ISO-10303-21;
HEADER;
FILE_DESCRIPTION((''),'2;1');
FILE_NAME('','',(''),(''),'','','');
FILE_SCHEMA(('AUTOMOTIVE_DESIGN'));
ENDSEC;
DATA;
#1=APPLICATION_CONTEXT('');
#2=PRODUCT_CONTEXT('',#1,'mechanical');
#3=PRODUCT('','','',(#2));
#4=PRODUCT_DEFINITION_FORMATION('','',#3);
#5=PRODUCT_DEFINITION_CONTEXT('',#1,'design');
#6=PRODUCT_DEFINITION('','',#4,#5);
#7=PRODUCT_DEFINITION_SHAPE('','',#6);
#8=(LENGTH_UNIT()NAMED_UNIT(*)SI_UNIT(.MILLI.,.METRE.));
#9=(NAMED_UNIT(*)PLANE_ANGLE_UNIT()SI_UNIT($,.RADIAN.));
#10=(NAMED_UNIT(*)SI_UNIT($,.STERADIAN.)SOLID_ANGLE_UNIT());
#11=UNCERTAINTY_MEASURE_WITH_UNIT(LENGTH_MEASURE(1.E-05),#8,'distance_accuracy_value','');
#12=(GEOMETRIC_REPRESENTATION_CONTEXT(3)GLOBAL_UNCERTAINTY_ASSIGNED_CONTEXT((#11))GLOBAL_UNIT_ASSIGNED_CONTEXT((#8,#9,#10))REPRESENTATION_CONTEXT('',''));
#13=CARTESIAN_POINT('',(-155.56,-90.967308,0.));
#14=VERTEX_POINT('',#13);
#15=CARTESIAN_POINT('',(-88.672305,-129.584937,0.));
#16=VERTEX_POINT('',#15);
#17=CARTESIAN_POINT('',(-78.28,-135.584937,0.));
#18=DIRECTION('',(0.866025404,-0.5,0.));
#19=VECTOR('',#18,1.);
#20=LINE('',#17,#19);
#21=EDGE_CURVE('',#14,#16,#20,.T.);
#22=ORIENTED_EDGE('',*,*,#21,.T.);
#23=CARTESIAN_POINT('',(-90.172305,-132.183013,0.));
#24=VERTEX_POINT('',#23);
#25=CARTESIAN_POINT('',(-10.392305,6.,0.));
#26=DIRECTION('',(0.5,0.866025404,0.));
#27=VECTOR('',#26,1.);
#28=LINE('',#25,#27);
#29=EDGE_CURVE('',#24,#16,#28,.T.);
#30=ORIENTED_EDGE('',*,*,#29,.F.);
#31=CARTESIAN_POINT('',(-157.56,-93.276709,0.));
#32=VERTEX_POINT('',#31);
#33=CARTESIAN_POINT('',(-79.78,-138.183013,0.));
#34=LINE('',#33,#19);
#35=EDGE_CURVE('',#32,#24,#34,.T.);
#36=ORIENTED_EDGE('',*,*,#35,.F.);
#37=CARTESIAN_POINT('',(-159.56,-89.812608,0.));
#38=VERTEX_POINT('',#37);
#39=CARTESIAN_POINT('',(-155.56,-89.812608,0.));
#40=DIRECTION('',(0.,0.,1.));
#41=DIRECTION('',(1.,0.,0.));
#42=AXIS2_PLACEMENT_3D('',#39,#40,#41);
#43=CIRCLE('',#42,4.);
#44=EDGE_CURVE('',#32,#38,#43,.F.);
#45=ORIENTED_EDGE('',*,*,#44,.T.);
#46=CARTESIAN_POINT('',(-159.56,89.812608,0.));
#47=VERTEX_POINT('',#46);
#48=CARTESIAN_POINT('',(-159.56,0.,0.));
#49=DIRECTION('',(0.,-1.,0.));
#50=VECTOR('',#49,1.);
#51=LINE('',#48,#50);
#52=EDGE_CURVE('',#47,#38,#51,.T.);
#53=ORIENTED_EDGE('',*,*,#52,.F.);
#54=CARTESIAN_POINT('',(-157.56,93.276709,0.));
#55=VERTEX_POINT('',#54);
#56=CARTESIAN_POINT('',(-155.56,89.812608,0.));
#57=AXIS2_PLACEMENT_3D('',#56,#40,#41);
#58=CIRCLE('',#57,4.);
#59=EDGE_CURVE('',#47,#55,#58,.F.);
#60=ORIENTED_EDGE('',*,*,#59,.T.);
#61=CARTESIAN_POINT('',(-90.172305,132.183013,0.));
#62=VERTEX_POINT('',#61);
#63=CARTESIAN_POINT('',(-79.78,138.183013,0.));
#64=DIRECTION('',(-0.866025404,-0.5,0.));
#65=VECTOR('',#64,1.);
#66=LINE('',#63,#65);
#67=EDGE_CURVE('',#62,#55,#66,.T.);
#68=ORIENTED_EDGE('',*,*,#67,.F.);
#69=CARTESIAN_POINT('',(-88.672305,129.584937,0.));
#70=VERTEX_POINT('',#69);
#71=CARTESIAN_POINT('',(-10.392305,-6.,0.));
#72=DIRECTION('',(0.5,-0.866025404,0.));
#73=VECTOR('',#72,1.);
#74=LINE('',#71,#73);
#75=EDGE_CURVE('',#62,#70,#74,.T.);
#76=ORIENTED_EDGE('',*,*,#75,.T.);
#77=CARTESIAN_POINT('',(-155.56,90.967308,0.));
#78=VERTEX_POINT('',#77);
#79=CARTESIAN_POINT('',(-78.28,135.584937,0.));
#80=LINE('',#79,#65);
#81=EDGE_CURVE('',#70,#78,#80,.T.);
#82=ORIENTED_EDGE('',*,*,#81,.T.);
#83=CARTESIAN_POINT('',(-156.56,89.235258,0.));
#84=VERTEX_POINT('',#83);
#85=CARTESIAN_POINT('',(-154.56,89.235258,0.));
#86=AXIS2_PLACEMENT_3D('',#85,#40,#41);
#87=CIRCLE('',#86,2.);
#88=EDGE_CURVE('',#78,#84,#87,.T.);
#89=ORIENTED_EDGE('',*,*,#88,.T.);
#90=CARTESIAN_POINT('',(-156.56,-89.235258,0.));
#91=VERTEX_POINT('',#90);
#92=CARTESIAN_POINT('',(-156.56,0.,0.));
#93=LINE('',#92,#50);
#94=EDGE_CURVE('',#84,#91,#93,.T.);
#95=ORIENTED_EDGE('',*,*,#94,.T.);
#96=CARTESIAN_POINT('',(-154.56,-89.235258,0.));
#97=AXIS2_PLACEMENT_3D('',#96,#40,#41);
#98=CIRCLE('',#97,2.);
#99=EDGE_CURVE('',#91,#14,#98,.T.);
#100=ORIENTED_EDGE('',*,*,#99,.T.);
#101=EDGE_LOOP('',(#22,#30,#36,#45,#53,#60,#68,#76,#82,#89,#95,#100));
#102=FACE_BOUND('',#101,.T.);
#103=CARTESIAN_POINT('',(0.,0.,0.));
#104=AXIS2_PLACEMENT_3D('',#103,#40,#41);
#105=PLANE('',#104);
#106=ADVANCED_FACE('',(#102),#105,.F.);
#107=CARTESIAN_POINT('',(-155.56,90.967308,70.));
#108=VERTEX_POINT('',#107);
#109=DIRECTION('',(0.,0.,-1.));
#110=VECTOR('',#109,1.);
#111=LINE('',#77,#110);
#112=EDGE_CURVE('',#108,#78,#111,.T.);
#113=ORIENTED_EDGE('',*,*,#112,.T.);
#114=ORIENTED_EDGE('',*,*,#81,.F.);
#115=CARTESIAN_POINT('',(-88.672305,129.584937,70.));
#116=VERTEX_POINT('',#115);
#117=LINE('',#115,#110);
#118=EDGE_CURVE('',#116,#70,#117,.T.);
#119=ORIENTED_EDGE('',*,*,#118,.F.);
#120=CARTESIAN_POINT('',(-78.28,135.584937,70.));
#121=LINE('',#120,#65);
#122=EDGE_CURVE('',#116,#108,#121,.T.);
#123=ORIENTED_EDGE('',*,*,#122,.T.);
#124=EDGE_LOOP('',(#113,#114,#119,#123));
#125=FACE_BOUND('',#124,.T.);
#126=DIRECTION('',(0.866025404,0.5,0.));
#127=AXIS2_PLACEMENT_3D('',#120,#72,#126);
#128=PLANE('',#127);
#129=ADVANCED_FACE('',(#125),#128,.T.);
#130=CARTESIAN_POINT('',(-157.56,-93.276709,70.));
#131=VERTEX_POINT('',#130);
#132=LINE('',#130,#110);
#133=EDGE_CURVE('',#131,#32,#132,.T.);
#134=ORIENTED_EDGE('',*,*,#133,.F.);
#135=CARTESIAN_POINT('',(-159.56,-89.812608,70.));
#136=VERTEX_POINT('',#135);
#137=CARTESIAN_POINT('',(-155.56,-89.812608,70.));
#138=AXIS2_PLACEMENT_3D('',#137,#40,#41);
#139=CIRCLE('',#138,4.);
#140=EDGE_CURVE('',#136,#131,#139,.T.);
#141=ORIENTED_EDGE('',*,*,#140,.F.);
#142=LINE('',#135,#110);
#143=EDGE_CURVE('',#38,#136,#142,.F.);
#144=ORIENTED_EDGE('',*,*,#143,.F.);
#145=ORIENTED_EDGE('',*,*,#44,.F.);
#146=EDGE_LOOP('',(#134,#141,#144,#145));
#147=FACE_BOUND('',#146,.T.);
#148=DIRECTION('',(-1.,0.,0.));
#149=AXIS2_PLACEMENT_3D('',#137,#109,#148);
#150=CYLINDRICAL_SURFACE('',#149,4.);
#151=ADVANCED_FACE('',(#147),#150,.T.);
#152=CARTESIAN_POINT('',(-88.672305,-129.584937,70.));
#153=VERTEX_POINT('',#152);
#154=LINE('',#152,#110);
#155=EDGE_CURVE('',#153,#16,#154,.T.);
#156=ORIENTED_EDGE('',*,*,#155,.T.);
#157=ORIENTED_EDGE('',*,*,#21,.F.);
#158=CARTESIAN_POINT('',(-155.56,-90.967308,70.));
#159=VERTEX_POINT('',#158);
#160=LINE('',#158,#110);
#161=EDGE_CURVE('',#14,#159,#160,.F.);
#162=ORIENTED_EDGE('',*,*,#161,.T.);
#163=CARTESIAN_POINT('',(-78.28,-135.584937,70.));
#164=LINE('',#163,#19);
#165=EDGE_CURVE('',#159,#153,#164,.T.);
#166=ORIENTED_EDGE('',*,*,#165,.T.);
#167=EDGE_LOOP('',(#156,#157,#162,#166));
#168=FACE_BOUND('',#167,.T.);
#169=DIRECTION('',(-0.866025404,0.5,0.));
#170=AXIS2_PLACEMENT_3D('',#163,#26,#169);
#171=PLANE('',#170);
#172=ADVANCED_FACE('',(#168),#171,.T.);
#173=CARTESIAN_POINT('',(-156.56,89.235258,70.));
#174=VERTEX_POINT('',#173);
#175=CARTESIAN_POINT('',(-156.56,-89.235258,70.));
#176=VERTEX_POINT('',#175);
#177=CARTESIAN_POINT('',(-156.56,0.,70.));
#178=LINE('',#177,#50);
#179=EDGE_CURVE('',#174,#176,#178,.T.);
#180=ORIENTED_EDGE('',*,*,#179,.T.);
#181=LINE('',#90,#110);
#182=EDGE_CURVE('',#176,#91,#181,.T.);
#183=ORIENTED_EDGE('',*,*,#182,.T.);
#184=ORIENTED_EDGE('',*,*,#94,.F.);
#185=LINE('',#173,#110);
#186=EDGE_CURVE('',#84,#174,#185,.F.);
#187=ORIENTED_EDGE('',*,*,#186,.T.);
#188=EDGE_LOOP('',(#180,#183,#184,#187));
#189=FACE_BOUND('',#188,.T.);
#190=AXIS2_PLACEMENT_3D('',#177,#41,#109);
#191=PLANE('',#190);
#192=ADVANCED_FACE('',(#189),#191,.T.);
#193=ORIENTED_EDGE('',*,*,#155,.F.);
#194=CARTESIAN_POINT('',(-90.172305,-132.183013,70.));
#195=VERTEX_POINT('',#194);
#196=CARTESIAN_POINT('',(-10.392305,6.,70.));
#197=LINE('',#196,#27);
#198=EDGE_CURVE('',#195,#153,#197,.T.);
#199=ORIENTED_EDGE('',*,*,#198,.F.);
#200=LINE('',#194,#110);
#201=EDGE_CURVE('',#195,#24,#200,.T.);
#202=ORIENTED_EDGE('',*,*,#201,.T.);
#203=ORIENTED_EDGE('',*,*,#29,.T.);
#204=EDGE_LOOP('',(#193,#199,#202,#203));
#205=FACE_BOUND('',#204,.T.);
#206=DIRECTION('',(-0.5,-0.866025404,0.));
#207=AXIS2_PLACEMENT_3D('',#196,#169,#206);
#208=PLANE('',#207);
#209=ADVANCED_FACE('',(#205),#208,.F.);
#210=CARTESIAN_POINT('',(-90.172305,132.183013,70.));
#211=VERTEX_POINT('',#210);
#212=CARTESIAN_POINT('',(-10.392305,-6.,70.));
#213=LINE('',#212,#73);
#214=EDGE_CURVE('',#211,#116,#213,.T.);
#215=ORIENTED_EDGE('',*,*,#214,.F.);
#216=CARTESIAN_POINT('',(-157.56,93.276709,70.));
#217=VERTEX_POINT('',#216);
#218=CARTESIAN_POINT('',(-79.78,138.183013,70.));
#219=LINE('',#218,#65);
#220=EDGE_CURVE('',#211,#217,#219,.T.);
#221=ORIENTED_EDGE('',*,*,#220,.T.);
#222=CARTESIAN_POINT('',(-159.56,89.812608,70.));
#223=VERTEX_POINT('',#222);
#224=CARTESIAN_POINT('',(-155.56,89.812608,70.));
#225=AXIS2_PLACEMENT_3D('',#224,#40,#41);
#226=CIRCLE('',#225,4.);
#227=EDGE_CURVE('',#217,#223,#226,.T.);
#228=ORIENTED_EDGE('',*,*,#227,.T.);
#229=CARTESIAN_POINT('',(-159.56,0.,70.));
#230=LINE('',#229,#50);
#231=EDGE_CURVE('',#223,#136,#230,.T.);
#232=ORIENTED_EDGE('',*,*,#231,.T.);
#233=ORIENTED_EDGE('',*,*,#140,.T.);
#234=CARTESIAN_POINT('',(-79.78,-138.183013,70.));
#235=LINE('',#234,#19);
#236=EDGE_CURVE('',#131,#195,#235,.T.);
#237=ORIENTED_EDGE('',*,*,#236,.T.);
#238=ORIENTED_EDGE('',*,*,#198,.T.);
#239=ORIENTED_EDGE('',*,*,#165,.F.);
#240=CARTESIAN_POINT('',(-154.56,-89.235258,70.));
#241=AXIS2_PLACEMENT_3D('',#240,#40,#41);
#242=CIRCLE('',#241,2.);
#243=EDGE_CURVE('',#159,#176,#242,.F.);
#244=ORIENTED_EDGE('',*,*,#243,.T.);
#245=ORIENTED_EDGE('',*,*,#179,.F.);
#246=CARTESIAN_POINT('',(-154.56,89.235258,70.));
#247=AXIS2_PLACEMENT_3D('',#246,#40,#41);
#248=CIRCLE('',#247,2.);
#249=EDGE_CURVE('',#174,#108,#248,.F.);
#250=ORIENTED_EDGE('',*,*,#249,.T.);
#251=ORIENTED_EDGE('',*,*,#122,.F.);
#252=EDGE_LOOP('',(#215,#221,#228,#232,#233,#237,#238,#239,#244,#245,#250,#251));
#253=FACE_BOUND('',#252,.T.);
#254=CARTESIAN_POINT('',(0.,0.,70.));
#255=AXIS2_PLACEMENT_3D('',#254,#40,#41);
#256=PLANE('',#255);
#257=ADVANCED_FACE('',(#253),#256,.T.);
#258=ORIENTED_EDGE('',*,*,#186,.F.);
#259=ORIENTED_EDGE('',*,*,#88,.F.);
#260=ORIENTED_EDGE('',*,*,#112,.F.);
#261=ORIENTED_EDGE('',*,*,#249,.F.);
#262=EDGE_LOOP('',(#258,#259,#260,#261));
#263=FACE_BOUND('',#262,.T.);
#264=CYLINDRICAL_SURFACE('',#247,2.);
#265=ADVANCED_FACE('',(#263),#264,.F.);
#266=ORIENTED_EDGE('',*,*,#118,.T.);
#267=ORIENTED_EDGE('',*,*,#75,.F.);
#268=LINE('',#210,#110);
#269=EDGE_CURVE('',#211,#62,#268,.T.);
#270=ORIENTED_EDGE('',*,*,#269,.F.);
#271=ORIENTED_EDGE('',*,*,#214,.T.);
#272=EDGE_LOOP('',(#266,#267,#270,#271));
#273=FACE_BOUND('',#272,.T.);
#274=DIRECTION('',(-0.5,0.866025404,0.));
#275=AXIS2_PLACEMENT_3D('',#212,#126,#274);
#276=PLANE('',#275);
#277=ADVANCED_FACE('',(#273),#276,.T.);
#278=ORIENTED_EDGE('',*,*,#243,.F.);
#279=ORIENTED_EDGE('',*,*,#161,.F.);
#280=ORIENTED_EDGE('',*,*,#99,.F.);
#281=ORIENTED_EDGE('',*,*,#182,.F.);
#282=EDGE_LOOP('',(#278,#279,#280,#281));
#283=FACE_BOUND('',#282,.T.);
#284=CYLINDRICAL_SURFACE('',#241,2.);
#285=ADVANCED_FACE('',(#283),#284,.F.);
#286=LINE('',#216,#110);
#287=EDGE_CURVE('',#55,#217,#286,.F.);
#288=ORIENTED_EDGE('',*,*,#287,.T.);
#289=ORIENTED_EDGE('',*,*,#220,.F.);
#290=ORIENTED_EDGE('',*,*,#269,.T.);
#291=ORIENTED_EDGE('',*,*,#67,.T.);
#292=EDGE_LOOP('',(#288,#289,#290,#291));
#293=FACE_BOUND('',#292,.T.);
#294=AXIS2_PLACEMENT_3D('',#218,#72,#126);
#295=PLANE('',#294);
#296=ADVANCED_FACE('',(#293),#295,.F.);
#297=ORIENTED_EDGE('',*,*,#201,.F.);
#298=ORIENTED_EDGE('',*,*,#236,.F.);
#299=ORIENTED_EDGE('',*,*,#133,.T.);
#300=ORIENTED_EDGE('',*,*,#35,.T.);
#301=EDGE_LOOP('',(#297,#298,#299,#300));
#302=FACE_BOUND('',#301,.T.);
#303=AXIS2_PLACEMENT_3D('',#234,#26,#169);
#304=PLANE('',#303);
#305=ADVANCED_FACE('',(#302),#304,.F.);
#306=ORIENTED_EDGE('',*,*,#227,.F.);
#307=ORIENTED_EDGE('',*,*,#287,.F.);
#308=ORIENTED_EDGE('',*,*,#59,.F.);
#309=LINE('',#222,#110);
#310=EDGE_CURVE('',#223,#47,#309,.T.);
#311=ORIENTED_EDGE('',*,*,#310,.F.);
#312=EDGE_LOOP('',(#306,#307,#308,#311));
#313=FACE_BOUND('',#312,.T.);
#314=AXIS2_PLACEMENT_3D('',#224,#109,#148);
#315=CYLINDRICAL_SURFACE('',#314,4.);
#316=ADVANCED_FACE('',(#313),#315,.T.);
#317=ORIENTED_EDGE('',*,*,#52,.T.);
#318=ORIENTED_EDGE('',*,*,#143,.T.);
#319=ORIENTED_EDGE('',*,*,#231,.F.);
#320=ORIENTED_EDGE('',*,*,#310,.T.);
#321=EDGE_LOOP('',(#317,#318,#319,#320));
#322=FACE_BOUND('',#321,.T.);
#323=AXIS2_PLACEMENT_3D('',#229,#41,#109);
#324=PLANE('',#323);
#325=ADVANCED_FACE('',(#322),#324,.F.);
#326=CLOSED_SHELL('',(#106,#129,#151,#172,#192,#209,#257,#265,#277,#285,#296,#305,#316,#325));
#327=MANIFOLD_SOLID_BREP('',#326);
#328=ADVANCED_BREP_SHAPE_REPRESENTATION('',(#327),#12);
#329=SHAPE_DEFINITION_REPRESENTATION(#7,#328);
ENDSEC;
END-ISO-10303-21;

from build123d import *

# Parameters (mm, degrees)
SALIENTE_EXTRUIR1_DEPTH = 70
REDONDEO1_R             = 2
REDONDEO2_R             = 4


with BuildPart() as part:
    # Croquis1 → Saliente-Extruir1 (new body)
    with BuildSketch(Plane(origin=(0, 0, 0), x_dir=(0, 1, 0), z_dir=(0, 0, 1))):
        Polygon((-129.584937216, 88.672304845), (-90.389958144, 156.56), (90.389958144, 156.56), (129.584937216, 88.672304845), (132.183013428, 90.172304845), (92.122008952, 159.56), (-92.122008952, 159.56), (-132.183013428, 90.172304845), align=None)
    extrude(amount=SALIENTE_EXTRUIR1_DEPTH)

    # Redondeo1
    redondeo1_edges = [part.edges().sort_by_distance(p)[0] for p in [
        (-156.56, 90.389958144, 35),
        (-156.56, -90.389958144, 35),
    ]]
    fillet(redondeo1_edges, radius=REDONDEO1_R)

    # Redondeo2
    redondeo2_edges = [part.edges().sort_by_distance(p)[0] for p in [
        (-159.56, -92.122008952, 35),
        (-159.56, 92.122008952, 35),
    ]]
    fillet(redondeo2_edges, radius=REDONDEO2_R)


solid = part.part
